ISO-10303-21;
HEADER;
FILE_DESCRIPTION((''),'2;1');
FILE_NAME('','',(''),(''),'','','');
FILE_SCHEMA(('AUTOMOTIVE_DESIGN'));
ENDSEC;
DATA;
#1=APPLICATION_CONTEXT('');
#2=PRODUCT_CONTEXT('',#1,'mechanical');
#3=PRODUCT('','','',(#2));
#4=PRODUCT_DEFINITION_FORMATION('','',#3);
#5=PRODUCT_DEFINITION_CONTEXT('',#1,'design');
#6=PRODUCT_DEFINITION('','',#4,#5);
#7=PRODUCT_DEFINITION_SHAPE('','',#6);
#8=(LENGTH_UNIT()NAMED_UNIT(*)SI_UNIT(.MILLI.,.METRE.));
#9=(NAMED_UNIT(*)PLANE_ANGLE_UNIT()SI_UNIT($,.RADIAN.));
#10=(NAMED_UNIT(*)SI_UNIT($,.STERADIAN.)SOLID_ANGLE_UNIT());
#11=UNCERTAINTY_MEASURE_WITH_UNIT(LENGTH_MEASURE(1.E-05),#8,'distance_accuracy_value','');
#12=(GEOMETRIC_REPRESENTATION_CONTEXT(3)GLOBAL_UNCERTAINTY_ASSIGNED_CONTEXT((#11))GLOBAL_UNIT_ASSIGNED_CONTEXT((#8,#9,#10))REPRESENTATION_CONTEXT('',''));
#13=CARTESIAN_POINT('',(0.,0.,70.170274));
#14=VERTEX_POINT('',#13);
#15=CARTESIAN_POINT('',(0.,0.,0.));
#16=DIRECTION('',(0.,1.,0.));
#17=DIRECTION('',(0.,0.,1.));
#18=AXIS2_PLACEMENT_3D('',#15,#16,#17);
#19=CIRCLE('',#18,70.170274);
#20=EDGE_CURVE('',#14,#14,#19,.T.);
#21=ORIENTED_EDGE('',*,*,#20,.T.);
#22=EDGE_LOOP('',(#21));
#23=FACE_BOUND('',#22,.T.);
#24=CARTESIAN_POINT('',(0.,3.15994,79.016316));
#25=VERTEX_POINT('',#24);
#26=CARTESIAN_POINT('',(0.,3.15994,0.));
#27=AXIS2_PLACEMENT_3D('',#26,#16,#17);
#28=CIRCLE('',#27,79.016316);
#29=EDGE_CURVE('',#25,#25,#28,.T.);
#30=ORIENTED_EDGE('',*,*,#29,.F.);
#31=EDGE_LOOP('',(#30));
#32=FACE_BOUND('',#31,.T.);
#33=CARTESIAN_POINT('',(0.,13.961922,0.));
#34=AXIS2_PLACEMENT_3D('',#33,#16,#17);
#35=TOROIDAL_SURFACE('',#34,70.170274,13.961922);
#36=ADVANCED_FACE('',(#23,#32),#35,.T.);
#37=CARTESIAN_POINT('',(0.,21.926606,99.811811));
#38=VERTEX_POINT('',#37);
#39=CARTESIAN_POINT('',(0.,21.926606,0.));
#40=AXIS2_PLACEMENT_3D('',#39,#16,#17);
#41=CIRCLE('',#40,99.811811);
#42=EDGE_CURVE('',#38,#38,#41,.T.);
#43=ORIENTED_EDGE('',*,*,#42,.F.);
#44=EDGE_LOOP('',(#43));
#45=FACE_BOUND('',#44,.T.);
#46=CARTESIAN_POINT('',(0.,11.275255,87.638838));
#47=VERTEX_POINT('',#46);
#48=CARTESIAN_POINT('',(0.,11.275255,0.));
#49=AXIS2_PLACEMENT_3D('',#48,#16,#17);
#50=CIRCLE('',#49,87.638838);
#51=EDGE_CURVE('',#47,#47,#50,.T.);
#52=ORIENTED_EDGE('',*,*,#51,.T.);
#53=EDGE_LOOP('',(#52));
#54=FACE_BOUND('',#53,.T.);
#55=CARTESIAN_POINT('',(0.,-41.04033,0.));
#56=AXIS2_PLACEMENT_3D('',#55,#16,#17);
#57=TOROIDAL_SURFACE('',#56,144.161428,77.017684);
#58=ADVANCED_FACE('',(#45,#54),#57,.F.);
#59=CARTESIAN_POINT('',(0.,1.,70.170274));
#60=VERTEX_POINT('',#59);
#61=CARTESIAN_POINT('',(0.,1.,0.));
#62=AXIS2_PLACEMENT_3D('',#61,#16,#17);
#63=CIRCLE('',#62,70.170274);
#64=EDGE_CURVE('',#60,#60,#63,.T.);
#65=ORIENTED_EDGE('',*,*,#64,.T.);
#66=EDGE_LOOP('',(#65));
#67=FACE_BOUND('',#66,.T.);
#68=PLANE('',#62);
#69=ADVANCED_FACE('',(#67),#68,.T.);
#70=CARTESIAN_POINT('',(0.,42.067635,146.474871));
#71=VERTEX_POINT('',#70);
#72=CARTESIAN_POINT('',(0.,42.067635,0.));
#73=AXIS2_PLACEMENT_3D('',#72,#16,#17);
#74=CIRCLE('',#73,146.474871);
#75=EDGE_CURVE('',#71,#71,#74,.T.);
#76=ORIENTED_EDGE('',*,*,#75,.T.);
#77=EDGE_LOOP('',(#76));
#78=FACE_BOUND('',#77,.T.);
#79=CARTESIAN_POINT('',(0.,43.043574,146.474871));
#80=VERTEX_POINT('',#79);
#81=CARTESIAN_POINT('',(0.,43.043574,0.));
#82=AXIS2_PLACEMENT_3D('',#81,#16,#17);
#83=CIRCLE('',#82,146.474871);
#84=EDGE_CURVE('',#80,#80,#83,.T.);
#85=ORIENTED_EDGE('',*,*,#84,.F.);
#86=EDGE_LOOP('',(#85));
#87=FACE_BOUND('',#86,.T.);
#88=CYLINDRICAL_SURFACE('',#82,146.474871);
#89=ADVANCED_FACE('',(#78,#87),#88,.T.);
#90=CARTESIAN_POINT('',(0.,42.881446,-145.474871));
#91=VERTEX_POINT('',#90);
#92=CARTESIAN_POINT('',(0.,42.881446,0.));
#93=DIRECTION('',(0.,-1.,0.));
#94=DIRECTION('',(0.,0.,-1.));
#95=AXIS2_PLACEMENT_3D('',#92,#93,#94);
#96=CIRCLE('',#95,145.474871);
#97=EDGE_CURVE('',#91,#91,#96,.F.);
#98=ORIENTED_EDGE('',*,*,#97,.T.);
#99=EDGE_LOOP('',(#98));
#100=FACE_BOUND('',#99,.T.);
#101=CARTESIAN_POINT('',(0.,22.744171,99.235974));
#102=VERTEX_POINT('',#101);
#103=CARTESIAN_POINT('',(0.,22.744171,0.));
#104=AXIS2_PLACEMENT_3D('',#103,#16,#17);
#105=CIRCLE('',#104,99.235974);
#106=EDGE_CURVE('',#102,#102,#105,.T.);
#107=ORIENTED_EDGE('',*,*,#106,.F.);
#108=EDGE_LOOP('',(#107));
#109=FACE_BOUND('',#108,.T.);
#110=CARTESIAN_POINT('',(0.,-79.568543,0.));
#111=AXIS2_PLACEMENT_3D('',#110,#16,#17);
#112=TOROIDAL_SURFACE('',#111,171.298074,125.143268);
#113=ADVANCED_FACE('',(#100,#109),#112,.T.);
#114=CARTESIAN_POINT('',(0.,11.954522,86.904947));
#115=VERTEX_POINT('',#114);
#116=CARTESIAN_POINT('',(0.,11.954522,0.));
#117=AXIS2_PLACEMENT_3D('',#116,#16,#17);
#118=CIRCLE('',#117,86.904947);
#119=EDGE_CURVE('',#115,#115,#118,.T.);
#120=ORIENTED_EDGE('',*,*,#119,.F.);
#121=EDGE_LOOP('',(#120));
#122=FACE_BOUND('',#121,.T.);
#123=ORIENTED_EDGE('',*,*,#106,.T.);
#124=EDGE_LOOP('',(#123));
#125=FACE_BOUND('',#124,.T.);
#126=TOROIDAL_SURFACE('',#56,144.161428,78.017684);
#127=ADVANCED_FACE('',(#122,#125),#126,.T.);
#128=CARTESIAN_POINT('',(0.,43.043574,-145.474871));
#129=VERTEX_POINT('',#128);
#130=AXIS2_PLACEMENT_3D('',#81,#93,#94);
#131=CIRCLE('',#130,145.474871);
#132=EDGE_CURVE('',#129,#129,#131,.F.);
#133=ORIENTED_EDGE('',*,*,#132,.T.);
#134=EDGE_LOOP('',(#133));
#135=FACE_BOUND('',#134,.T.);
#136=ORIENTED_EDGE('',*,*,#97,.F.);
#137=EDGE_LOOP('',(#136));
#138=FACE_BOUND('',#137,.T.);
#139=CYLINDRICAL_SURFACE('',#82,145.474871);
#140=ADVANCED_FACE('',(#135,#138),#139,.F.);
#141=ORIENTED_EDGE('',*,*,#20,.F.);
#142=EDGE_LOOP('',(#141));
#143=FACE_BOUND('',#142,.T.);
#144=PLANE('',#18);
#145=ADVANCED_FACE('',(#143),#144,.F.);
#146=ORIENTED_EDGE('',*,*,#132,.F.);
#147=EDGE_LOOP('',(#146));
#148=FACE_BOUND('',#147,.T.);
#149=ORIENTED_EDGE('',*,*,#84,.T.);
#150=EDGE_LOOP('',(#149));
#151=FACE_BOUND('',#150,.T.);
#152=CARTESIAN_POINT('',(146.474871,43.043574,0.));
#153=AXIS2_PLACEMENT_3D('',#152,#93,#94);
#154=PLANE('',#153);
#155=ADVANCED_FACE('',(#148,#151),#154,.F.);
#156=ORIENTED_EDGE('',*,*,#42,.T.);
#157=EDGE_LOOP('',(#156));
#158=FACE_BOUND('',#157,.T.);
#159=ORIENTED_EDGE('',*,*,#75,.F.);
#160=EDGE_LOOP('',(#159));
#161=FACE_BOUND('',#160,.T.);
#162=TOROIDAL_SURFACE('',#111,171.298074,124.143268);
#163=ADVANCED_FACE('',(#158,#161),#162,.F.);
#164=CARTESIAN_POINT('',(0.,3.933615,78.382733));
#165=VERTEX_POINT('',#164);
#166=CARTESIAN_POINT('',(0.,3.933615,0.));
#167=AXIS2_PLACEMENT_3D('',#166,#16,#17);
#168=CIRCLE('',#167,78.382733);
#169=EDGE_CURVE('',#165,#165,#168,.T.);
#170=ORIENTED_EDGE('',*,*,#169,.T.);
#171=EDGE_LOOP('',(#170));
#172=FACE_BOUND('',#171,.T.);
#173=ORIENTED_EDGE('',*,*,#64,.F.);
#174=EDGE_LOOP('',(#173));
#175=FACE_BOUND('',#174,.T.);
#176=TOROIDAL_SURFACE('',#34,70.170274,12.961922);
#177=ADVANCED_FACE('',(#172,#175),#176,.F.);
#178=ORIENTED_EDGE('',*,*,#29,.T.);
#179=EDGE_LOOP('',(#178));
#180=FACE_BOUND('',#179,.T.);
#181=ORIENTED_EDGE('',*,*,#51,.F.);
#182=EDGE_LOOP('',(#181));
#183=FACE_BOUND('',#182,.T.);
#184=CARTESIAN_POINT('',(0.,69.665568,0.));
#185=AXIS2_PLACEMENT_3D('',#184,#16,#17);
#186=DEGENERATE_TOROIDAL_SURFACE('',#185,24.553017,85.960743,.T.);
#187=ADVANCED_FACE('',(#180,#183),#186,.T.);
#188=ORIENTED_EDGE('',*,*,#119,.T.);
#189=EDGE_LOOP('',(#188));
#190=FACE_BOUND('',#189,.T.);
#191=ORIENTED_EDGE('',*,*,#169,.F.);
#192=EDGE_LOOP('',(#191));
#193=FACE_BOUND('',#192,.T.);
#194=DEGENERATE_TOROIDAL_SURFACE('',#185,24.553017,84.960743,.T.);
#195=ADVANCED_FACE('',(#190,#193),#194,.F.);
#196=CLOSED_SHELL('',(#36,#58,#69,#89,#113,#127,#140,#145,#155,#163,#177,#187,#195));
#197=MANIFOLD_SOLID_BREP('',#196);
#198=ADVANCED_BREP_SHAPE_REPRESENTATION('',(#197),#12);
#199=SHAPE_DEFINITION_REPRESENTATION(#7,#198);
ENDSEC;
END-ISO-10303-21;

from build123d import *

# Parameters (mm, degrees)
SHELL2_T = -1


with BuildPart() as part:
    # Sketch1 → Revolve3 (revolve)
    with BuildSketch(Plane.XY, mode=Mode.PRIVATE) as revolve3_sk:
        with BuildLine():
            Line((0, 0), (70.170274015, 0))
            ThreePointArc((70.170274015, 0), (74.867019818, 0.813696051), (79.016316154, 3.159940352))
            ThreePointArc((79.016316154, 3.159940352), (83.467476244, 7.068955028), (87.638838201, 11.275255219))
            ThreePointArc((87.638838201, 11.275255219), (93.444928024, 16.921383546), (99.811810502, 21.926605983))
            ThreePointArc((99.811810502, 21.926605983), (122.101594507, 34.410654829), (146.474870989, 42.06763466))
            Line((146.474870989, 42.06763466), (146.474870989, 43.043574036))
            Line((146.474870989, 43.043574036), (0, 43.043574036))
            Line((0, 43.043574036), (0, 0))
        make_face()
    revolve(revolve3_sk.sketch.rotate(Axis((0, 43.043574036, 0), (0, -1, 0)), 90), axis=Axis((0, 43.043574036, 0), (0, -1, 0)))

    # Shell2
    shell2_openings = [part.faces().sort_by_distance(p)[0] for p in [
        (0, 43.043574036, 0),
    ]]
    offset(amount=SHELL2_T, openings=shell2_openings, kind=Kind.INTERSECTION)


solid = part.part
